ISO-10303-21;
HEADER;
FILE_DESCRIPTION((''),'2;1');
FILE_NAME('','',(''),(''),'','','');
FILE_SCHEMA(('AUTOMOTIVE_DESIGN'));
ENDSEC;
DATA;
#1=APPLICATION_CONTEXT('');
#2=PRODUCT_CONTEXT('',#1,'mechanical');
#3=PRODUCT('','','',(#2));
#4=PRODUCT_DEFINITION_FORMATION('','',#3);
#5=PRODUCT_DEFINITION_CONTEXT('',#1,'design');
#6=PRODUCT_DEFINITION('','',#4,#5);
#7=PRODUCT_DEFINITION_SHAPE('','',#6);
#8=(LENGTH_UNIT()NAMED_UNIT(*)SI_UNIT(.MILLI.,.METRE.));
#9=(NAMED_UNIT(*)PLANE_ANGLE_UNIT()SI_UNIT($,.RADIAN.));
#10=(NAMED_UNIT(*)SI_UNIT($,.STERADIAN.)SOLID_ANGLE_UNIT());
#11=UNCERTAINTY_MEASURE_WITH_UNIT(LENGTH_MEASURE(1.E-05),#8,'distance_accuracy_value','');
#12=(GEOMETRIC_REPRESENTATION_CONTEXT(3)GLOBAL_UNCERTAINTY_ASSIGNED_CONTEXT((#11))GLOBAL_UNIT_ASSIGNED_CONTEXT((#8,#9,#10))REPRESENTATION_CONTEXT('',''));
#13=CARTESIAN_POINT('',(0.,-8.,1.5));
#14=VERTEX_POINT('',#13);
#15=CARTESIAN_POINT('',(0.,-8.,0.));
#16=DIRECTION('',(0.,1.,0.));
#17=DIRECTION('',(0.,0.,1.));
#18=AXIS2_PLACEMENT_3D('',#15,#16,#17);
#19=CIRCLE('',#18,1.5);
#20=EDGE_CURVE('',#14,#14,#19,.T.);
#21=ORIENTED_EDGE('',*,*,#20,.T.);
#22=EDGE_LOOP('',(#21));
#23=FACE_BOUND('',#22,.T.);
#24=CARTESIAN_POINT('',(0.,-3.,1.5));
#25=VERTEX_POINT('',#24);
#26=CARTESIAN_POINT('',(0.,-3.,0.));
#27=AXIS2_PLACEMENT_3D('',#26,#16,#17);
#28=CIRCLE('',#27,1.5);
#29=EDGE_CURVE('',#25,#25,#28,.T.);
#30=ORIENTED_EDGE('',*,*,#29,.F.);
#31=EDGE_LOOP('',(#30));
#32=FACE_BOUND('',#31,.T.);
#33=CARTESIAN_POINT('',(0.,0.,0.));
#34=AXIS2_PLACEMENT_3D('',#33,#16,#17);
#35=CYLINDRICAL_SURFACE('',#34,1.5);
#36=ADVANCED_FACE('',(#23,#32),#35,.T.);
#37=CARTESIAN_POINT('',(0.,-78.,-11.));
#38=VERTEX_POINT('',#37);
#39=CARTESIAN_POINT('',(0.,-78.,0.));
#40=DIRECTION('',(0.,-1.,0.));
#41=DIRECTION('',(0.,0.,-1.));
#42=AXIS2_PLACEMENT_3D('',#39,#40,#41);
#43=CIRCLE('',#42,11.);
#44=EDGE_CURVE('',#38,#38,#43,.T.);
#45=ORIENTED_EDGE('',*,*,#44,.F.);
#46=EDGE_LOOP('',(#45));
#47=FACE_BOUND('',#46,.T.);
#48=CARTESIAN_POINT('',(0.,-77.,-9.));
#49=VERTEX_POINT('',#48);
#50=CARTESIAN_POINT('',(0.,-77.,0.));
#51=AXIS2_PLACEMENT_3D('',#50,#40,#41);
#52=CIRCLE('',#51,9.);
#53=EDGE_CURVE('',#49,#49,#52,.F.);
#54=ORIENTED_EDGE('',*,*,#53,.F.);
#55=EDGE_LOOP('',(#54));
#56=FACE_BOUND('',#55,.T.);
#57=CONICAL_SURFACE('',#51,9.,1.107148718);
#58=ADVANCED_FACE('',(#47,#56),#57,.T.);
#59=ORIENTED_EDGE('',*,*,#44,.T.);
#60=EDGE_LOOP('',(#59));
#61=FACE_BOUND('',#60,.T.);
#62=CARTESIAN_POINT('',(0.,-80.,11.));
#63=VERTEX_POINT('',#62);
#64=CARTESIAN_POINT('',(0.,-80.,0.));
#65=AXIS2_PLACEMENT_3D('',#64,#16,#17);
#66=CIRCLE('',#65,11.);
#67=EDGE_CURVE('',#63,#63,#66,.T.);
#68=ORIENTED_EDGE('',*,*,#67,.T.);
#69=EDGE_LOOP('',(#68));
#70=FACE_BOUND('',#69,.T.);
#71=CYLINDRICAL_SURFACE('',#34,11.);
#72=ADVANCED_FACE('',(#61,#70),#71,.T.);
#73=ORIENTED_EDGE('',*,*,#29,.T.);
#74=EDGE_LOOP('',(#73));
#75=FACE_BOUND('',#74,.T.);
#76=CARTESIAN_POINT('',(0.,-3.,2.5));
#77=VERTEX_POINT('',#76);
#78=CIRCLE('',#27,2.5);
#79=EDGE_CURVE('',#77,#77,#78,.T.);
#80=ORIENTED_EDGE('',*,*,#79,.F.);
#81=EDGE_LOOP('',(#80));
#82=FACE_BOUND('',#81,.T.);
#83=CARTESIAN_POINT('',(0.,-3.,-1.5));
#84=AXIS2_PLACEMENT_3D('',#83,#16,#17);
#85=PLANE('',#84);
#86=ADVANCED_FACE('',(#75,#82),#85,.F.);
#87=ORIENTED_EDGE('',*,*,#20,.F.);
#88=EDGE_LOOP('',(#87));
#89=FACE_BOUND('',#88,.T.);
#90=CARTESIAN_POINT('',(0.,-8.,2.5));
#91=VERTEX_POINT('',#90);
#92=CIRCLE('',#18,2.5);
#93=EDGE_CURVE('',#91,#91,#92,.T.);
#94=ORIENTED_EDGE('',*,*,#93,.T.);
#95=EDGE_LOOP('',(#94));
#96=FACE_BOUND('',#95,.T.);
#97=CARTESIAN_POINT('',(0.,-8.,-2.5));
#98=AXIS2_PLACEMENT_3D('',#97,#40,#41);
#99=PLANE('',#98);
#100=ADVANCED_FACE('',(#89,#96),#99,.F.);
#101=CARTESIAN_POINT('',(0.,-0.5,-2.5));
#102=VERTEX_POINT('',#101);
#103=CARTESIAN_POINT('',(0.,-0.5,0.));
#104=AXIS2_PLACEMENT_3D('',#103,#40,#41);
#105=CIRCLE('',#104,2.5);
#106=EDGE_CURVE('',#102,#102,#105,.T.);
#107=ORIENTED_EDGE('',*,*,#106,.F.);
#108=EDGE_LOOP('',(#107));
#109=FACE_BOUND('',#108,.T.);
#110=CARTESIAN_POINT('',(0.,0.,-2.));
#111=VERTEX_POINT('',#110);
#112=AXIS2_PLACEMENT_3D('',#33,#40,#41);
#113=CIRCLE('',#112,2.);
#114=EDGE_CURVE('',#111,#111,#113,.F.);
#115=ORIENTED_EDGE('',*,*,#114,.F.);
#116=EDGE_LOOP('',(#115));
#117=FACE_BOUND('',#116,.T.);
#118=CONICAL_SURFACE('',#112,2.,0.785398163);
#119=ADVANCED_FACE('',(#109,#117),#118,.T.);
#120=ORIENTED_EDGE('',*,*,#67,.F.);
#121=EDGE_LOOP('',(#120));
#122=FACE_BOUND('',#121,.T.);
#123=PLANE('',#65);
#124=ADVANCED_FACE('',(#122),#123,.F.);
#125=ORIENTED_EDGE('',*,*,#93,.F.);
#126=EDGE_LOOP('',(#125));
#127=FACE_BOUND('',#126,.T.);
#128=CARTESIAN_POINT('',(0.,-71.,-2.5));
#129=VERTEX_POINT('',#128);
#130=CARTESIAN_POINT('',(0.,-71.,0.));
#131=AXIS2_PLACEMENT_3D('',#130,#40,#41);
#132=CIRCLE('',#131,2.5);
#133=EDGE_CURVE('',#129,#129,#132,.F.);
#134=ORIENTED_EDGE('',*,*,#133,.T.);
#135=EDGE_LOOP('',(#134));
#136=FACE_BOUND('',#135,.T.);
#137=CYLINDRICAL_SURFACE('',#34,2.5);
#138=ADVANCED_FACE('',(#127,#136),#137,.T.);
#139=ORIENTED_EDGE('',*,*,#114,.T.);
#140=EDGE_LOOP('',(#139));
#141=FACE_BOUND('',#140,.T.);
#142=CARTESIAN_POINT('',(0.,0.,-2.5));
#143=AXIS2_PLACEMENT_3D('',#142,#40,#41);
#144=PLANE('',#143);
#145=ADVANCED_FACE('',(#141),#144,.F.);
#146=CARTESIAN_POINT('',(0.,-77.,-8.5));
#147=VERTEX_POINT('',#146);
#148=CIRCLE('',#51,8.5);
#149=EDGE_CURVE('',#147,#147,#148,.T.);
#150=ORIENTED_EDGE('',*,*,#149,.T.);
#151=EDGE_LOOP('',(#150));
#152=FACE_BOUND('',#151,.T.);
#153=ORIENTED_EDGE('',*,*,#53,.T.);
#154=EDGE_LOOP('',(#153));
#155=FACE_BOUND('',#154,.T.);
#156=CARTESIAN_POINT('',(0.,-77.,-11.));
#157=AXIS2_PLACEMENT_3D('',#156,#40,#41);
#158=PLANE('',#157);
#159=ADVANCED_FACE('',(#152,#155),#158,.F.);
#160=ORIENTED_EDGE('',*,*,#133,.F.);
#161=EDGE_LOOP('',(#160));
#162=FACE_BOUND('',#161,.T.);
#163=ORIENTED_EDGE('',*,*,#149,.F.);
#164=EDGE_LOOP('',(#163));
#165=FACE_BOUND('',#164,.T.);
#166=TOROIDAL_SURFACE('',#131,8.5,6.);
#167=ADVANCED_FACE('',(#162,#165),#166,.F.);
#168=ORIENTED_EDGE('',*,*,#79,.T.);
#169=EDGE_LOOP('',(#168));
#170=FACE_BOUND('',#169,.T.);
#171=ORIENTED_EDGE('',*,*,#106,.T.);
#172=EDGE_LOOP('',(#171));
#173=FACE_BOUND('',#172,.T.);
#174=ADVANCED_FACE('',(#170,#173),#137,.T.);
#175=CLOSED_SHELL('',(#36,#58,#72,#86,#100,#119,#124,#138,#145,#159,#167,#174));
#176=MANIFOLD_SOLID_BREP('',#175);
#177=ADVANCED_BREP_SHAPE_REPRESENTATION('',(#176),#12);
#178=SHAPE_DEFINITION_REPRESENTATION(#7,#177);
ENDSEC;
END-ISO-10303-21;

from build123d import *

# Parameters (mm, degrees)
FILLET2_R      = 6
CHAMFER1_SIZE  = 1
CHAMFER1_SIZE2 = 2
CHAMFER2_SIZE  = 0.5


with BuildPart() as part:
    # Sketch1 → Revolve1 (revolve)
    with BuildSketch(Plane(origin=(0, 0, 0), x_dir=(0, 0, -1), z_dir=(1, 0, 0))):
        Polygon((0, 0), (0, -80), (11, -80), (11, -77), (2.5, -77), (2.5, -8), (1.5, -8), (1.5, -3), (2.5, -3), (2.5, 0), align=None)
    revolve(axis=Axis((0, 0, 0), (0, -1, 0)))

    # Fillet2
    fillet2_edges = [part.edges().sort_by_distance(p)[0] for p in [
        (0, -77, 2.5),
    ]]
    fillet(fillet2_edges, radius=FILLET2_R)

    # Chamfer1
    chamfer1_edges = [part.edges().sort_by_distance(p)[0] for p in [
        (0, -77, 11),
    ]]
    chamfer1_side = [part.faces().sort_by_distance(p)[0] for p in [
        (0, -78.5, 11),
    ]]
    chamfer(chamfer1_edges, length=CHAMFER1_SIZE, length2=CHAMFER1_SIZE2, reference=chamfer1_side[0])

    # Chamfer2
    chamfer2_edges = [part.edges().sort_by_distance(p)[0] for p in [
        (0, 0, 2.5),
    ]]
    chamfer(chamfer2_edges, length=CHAMFER2_SIZE)


solid = part.part
